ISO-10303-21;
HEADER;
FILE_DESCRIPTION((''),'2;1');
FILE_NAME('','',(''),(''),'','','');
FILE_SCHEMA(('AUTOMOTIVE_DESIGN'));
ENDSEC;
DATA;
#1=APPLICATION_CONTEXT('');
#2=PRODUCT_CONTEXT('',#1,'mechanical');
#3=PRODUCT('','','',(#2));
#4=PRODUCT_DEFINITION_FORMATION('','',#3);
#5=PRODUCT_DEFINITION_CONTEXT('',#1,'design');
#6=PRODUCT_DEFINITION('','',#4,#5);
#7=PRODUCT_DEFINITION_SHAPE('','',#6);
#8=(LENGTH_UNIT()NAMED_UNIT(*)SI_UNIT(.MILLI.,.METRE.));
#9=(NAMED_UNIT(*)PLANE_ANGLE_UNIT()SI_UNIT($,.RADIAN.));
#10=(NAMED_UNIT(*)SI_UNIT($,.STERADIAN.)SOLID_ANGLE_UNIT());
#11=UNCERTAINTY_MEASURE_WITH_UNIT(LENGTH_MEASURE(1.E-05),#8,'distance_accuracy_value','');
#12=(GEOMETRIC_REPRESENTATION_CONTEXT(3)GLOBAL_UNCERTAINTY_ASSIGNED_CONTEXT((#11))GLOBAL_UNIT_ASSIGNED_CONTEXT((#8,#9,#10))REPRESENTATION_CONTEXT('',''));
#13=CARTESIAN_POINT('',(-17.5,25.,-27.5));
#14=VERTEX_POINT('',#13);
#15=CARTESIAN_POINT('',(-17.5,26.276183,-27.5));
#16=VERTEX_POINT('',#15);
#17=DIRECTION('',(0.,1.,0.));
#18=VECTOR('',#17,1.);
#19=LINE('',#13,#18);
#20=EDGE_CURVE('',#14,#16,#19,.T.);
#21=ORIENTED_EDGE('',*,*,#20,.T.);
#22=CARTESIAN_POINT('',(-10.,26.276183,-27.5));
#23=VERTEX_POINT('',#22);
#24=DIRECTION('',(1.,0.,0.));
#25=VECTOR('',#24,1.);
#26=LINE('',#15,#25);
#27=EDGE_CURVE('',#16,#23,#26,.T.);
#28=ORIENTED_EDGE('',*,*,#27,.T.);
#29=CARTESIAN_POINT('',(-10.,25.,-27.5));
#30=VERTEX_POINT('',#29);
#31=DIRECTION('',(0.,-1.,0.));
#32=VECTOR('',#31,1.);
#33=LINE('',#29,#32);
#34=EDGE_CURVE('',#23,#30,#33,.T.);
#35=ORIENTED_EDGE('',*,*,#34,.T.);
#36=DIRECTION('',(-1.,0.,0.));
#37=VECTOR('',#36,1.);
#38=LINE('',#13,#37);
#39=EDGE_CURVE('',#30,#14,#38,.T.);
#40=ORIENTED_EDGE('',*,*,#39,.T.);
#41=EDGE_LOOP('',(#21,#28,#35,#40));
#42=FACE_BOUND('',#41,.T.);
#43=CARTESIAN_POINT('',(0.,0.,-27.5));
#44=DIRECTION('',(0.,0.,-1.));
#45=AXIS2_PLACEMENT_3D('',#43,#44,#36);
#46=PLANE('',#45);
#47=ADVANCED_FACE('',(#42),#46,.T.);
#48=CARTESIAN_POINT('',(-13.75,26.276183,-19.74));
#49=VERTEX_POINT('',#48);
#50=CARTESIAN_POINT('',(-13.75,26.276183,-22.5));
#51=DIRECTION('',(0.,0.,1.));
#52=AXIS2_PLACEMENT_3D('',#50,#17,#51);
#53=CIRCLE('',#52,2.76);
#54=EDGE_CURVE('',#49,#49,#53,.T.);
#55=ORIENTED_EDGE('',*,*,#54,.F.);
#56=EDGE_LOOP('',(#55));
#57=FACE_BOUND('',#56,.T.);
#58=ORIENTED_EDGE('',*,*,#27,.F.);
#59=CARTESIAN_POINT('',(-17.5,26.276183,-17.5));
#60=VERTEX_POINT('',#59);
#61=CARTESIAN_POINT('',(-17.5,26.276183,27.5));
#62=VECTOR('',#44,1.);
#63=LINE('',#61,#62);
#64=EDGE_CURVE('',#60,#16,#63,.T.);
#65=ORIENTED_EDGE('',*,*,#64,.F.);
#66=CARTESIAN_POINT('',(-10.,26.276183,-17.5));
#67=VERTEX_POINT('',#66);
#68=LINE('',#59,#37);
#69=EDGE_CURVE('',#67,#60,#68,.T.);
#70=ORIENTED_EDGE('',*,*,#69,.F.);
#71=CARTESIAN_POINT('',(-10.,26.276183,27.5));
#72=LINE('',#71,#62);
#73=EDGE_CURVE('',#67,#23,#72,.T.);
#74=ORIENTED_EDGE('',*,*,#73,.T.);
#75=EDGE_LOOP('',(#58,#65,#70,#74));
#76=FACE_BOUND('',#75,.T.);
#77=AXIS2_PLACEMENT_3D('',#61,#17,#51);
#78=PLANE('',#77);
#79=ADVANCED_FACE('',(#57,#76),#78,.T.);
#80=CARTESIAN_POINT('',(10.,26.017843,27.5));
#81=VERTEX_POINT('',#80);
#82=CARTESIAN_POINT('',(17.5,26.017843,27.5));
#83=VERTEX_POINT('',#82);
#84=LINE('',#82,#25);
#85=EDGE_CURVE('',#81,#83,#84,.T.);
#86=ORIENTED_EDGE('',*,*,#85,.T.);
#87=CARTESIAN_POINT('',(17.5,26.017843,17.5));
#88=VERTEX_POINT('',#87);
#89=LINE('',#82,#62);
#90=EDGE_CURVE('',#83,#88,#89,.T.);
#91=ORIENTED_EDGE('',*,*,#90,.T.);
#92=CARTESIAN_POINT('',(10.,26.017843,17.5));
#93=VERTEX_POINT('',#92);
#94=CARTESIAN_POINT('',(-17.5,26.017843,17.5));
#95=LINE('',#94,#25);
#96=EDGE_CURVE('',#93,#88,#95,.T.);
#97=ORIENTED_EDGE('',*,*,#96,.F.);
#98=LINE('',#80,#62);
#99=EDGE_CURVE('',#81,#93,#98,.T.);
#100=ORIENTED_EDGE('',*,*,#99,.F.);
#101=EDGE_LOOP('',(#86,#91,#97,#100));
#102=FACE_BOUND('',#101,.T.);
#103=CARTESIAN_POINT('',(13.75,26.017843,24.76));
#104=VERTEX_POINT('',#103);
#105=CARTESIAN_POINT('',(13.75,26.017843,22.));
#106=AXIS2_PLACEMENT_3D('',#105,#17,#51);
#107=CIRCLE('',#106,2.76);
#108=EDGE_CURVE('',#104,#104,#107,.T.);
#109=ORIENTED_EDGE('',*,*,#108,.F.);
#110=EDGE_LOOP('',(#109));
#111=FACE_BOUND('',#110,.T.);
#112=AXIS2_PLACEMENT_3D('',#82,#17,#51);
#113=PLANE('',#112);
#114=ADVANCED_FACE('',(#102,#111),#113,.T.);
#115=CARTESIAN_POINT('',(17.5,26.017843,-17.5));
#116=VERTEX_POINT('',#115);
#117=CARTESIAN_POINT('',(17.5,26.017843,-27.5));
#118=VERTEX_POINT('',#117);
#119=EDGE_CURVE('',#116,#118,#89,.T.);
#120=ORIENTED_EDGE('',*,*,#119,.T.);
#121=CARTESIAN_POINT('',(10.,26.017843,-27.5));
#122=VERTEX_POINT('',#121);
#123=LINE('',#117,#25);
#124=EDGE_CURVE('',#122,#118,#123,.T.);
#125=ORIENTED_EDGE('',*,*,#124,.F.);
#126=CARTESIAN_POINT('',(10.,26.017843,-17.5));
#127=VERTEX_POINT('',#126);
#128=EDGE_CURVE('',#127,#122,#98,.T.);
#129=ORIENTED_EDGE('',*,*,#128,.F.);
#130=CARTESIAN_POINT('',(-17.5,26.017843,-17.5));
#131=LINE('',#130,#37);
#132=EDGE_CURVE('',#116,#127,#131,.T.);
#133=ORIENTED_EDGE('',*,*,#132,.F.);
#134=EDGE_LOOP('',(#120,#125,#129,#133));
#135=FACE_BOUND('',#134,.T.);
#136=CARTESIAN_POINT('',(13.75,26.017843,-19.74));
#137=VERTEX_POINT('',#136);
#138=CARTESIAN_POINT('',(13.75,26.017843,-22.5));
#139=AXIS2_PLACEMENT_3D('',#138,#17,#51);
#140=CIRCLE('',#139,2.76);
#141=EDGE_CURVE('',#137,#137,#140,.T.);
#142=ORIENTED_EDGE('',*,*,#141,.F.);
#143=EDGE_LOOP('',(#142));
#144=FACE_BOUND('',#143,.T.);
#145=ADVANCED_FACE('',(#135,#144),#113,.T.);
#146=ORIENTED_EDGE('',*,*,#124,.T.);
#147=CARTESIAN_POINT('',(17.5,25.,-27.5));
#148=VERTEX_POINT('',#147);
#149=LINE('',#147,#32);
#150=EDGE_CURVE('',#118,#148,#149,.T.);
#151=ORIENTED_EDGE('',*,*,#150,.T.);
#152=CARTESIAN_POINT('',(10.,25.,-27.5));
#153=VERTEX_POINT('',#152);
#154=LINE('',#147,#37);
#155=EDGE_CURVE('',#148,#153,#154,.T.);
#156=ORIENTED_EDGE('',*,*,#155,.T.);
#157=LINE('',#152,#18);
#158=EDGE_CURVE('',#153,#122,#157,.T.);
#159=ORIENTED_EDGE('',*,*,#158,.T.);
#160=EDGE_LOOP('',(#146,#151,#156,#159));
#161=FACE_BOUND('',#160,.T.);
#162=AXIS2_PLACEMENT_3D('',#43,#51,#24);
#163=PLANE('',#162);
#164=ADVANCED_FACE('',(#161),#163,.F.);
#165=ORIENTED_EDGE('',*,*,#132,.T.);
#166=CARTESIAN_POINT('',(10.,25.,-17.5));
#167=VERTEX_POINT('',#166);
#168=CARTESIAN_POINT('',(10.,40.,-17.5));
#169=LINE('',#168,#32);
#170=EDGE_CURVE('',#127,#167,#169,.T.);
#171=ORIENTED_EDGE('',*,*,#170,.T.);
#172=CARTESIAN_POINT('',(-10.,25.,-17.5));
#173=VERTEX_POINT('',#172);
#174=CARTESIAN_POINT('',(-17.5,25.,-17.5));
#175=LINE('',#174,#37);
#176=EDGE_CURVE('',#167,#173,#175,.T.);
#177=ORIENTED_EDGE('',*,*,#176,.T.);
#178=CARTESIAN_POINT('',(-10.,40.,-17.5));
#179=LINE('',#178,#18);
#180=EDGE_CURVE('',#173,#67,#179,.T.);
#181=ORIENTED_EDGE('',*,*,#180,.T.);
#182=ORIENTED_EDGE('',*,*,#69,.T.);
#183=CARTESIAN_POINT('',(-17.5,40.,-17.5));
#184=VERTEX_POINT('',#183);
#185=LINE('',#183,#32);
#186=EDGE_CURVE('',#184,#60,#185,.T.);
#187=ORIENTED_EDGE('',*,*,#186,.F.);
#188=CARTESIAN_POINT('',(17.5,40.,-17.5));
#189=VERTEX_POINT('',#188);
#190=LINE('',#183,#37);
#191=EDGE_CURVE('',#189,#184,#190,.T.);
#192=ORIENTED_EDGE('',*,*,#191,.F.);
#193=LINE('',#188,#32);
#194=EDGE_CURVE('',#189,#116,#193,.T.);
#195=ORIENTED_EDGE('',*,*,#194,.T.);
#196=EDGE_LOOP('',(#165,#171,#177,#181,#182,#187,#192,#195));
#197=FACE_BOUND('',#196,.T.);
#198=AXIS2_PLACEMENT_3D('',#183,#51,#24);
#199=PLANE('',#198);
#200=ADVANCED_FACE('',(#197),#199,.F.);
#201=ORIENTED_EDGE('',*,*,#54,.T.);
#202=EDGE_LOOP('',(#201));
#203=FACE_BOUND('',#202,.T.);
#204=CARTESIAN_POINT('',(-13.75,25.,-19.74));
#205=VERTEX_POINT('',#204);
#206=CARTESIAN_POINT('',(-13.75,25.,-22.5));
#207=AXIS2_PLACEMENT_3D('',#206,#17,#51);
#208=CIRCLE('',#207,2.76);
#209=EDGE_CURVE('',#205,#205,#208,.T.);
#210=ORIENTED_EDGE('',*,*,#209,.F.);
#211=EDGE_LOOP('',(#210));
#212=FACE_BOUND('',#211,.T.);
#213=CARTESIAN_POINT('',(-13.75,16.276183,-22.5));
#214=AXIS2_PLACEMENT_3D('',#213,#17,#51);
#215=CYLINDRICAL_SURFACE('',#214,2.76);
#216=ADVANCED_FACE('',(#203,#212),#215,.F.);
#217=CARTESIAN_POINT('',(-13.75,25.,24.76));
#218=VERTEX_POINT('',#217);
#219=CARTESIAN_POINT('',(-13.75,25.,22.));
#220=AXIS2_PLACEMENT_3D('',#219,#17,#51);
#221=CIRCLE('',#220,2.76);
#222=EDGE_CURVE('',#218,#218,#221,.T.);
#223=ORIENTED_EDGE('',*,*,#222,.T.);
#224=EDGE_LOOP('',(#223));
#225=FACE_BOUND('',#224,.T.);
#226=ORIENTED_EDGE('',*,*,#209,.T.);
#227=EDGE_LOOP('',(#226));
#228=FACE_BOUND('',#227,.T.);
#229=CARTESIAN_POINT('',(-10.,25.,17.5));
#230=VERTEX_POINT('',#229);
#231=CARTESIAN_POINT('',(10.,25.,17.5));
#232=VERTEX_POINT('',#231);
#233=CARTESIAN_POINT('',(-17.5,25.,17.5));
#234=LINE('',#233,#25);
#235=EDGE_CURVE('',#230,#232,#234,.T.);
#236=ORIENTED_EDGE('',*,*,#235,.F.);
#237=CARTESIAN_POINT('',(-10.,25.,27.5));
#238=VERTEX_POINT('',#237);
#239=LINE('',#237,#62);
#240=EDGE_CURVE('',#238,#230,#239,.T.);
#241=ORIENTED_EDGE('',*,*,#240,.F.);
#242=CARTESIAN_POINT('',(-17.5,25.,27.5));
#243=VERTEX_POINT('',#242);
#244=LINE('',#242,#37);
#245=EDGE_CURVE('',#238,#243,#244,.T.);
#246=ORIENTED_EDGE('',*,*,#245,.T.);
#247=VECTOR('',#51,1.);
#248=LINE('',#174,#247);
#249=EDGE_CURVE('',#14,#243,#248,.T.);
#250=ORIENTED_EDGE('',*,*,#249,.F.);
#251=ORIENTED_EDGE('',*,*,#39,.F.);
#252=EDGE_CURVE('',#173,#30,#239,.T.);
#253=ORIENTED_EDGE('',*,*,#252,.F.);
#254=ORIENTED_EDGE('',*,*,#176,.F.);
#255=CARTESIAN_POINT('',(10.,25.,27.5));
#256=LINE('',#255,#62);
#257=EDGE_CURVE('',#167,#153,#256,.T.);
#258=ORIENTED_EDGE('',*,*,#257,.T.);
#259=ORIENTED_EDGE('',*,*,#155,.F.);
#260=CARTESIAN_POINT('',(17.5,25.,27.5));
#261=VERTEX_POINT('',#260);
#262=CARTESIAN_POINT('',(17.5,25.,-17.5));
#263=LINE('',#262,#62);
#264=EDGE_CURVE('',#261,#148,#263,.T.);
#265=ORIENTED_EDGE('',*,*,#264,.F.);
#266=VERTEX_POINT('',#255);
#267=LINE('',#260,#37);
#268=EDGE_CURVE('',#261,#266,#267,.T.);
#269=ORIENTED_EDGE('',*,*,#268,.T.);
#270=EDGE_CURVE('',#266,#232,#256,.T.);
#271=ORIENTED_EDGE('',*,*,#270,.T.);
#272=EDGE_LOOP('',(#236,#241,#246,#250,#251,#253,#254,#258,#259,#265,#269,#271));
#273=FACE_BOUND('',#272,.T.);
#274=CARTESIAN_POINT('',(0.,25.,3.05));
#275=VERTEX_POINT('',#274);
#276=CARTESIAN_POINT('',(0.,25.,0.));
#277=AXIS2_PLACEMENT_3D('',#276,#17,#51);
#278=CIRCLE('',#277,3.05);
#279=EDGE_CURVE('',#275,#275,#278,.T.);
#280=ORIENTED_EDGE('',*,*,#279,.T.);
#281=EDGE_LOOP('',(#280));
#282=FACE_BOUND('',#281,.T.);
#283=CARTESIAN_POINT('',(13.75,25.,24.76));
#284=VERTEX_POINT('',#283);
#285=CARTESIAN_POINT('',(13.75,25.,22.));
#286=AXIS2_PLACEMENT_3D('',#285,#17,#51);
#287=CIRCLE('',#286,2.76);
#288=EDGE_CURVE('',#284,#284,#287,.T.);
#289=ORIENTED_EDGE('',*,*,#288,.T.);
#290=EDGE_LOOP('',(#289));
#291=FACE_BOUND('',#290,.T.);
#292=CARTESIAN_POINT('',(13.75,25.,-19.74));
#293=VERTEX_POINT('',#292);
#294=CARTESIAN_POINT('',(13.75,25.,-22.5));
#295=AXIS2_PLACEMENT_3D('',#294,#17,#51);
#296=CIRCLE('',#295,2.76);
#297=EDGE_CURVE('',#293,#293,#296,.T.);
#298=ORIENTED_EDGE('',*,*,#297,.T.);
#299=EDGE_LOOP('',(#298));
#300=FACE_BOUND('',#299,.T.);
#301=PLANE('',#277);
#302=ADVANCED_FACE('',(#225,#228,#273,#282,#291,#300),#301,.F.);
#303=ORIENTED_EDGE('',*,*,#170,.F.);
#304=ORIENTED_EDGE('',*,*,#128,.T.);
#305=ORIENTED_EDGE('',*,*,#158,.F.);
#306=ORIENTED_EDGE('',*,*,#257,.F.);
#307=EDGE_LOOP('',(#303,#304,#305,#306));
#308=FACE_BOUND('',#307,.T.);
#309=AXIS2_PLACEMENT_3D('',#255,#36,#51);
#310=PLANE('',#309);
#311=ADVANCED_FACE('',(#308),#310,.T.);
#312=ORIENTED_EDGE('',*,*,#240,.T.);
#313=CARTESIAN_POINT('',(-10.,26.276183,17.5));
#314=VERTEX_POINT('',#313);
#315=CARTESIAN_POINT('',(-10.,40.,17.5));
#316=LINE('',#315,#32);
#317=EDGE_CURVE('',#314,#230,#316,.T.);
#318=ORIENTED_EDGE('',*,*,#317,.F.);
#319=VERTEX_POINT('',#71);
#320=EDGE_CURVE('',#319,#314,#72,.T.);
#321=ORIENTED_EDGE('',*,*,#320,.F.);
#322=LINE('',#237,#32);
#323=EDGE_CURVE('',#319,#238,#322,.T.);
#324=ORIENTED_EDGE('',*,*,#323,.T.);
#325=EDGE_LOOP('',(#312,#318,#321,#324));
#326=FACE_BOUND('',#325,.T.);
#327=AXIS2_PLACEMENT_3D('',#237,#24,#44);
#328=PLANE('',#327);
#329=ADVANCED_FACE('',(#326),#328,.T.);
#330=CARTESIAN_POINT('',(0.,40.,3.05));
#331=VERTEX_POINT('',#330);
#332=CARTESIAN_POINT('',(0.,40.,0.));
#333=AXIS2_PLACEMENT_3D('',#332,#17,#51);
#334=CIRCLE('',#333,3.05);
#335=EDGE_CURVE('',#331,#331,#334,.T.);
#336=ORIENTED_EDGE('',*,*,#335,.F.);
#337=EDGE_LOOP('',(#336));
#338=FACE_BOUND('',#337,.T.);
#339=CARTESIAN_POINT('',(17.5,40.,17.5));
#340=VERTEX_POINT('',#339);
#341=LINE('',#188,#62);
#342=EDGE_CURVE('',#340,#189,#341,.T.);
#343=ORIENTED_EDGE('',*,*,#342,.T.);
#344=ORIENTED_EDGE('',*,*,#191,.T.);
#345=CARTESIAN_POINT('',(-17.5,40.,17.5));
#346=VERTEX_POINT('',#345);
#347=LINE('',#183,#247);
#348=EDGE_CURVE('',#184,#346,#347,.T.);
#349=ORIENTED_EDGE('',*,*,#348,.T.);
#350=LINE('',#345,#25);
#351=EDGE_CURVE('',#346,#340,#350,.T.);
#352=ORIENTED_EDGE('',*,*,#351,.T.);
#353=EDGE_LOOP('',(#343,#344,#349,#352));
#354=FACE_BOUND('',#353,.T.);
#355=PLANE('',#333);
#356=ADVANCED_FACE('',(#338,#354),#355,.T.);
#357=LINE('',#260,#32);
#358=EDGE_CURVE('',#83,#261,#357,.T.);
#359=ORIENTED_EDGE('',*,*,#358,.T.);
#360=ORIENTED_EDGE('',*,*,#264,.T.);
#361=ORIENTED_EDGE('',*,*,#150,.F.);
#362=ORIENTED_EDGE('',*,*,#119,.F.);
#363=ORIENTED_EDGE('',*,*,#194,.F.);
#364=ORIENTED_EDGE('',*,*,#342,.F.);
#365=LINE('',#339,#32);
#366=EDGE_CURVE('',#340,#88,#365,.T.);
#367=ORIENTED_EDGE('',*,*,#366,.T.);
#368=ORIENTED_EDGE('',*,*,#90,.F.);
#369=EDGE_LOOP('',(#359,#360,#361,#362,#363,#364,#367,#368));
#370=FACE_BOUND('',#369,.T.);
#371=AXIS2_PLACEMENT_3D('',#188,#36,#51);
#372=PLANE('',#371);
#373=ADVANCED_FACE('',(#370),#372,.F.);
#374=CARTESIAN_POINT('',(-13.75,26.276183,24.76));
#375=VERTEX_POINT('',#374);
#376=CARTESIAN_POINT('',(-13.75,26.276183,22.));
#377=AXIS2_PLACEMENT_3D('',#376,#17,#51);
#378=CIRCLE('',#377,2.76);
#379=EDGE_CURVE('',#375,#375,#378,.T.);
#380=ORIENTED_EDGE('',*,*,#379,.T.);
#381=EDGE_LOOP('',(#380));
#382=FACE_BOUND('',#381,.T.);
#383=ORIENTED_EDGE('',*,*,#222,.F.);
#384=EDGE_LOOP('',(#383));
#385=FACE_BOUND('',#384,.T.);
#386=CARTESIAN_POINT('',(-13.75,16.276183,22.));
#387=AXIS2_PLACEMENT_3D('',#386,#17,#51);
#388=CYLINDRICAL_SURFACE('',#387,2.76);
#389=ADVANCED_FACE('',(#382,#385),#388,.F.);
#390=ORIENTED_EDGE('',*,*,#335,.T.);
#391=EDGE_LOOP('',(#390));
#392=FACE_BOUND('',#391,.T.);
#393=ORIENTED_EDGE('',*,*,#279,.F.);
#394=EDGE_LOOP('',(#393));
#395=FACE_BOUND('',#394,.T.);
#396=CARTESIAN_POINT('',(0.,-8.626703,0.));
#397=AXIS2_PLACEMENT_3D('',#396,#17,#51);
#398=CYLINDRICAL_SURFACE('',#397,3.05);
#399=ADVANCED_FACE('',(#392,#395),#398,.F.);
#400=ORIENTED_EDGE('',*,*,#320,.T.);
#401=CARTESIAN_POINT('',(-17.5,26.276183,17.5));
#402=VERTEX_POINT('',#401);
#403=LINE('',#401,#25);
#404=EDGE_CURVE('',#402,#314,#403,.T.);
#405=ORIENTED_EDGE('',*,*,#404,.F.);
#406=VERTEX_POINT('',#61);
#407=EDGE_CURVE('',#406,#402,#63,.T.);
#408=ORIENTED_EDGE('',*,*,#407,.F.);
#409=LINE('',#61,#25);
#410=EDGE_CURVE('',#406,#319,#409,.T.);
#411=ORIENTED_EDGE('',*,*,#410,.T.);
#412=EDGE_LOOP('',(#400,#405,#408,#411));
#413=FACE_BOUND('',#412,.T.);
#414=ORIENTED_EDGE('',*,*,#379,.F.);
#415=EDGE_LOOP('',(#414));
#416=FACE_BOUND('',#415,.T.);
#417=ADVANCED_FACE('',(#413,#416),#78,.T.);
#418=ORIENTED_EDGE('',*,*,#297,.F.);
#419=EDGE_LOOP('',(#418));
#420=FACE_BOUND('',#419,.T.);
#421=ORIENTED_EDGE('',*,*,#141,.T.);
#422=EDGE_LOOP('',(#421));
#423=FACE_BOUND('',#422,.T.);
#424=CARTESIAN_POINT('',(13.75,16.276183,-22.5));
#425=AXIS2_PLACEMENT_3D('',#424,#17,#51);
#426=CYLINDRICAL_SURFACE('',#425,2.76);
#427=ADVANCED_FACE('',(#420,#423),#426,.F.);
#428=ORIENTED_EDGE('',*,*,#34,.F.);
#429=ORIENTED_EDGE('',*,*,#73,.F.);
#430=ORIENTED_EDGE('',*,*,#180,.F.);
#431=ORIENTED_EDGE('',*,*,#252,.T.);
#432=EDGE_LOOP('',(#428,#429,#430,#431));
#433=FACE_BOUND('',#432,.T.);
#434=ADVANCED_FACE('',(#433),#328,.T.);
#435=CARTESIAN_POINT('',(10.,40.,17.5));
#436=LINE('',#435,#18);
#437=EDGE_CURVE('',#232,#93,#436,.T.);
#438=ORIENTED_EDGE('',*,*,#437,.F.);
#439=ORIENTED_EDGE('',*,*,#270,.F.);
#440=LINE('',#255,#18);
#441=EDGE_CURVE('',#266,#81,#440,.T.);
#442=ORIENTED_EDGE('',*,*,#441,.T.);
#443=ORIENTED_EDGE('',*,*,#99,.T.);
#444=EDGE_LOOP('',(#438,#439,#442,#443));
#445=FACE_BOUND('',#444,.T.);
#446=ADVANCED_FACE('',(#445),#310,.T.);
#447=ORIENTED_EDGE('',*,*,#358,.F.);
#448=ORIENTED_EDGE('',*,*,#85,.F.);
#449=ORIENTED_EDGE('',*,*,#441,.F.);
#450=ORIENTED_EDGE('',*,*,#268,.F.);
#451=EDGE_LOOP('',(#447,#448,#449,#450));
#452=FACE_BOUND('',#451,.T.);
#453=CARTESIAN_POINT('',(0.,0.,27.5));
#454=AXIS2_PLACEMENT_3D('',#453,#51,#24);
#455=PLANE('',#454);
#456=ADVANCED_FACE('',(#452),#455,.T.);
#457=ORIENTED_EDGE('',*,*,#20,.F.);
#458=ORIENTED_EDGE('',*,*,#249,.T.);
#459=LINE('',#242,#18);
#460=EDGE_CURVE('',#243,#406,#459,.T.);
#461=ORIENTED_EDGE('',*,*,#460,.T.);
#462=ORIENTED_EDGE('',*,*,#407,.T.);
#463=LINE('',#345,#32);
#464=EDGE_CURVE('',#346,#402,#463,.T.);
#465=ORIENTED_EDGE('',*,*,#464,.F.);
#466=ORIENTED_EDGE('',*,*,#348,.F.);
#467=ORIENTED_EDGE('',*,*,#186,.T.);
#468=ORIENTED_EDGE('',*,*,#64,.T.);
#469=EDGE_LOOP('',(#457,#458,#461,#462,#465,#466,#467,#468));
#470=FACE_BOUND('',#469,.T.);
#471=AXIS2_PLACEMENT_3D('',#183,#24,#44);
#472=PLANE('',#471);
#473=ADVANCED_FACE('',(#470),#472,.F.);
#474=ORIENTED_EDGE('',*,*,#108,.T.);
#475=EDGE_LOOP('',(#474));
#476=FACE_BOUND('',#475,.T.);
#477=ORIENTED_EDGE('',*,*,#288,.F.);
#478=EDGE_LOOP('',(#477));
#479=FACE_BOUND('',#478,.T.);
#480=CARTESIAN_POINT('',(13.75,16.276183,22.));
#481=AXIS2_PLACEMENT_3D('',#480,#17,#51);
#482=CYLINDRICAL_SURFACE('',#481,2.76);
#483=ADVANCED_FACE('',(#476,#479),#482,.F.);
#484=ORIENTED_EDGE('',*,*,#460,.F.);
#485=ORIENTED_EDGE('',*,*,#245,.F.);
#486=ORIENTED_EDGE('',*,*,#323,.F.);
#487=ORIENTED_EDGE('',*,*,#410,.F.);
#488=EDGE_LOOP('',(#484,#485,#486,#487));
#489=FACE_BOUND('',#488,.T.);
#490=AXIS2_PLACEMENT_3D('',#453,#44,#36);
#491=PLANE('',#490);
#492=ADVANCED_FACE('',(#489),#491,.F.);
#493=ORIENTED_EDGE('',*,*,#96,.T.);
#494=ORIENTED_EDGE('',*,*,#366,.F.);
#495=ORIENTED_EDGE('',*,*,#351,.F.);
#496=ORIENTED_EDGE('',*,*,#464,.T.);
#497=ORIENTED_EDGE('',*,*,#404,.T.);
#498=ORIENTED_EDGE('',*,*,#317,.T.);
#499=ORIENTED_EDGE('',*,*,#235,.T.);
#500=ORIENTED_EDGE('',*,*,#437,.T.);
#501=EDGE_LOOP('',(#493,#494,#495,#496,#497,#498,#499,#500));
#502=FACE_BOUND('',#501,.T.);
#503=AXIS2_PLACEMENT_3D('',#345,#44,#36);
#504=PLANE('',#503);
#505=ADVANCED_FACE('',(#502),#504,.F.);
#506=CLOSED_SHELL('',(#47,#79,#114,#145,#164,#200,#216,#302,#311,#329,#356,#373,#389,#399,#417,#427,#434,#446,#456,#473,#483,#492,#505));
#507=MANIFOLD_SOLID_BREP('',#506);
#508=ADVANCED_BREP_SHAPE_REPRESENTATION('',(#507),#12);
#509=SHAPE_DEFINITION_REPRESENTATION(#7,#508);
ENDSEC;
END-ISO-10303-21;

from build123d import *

# Parameters (mm, degrees)
SKETCH2_W                = 35
SKETCH2_H                = 35
BOSS_EXTRUDE1_DEPTH      = 10
SKETCH3_W                = 35
SKETCH3_H                = 35
SKETCH3_W_2              = 30
SKETCH3_H_2              = 30
BOSS_EXTRUDE2_DEPTH      = 15
SKETCH4_W                = 35
SKETCH4_H                = 35
BOSS_EXTRUDE3_DEPTH      = 15
CUT_EXTRUDE1_START       = -40
SKETCH5_R                = 3.05
CUT_EXTRUDE1_DEPTH       = 40
BOSS_EXTRUDE4_DEPTH      = 10
BOSS_EXTRUDE4_DEPTH_BACK = 45
SKETCH6_W                = 7.5
SKETCH6_H                = 1.017843133
SKETCH6_H_2              = 1.2761833
SKETCH7_R                = 2.76
CUT_EXTRUDE2_DEPTH       = 10


with BuildPart() as part:
    # Sketch2 → Boss-Extrude1 (new body)
    with BuildSketch(Plane(origin=(0, 0, 0), x_dir=(1, 0, 0), z_dir=(0, 1, 0))):
        Rectangle(SKETCH2_W, SKETCH2_H)
    extrude(amount=BOSS_EXTRUDE1_DEPTH)


with BuildPart() as body_2:
    # Sketch3 → Boss-Extrude2 (new body)
    with BuildSketch(Plane(origin=(0, 10, 0), x_dir=(1, 0, 0), z_dir=(0, 1, 0))):
        Rectangle(SKETCH3_W, SKETCH3_H)
        Rectangle(SKETCH3_W_2, SKETCH3_H_2, mode=Mode.SUBTRACT)
    extrude(amount=BOSS_EXTRUDE2_DEPTH)


with BuildPart() as body_3:
    # Sketch4 → Boss-Extrude3 (new body)
    with BuildSketch(Plane(origin=(0, 25, 0), x_dir=(1, 0, 0), z_dir=(0, 1, 0))):
        Rectangle(SKETCH4_W, SKETCH4_H)
    extrude(amount=BOSS_EXTRUDE3_DEPTH)


with BuildPart() as cut_extrude1_tool:
    # Sketch5 → Cut-Extrude1 (new body)
    with BuildSketch(Plane(origin=(0, 40, 0), x_dir=(1, 0, 0), z_dir=(0, 1, 0)).offset(CUT_EXTRUDE1_START)):
        with Locations(Location((0, 0, 0), (0, 0, 270))):
            Circle(SKETCH5_R)
    extrude(amount=CUT_EXTRUDE1_DEPTH)


with BuildPart() as part_1:
    add(part.part)

    # Cut-Extrude1: cut by cut_extrude1_tool
    add(cut_extrude1_tool.part, mode=Mode.SUBTRACT)


with BuildPart() as body_3_1:
    add(body_3.part)

    # Cut-Extrude1: cut by cut_extrude1_tool
    add(cut_extrude1_tool.part, mode=Mode.SUBTRACT)

    # Sketch6 → Boss-Extrude4 (add, two sides: drawn at the far end of the back side and taken through both)
    with BuildSketch(Plane(origin=(0, 0, -17.5), x_dir=(-1, 0, 0), z_dir=(0, 0, -1)).offset(-BOSS_EXTRUDE4_DEPTH_BACK)):
        with Locations((-13.75, 25.508921566)):
            Rectangle(SKETCH6_W, SKETCH6_H)
        with Locations((13.75, 25.63809165)):
            Rectangle(SKETCH6_W, SKETCH6_H_2)
    extrude(amount=BOSS_EXTRUDE4_DEPTH + BOSS_EXTRUDE4_DEPTH_BACK)

    # Sketch7 → Cut-Extrude2 (cut)
    with BuildSketch(Plane(origin=(0, 26.2761833, 0), x_dir=(1, 0, 0), z_dir=(0, 1, 0))):
        with Locations(Location((-13.75, 22.5, 0), (0, 0, 270))):
            Circle(SKETCH7_R)
        with Locations(Location((13.75, 22.5, 0), (0, 0, 270))):
            Circle(SKETCH7_R)
        with Locations(Location((13.75, -22, 0), (0, 0, 270))):
            Circle(SKETCH7_R)
        with Locations(Location((-13.75, -22, 0), (0, 0, 270))):
            Circle(SKETCH7_R)
    extrude(amount=-CUT_EXTRUDE2_DEPTH, mode=Mode.SUBTRACT)


solid = body_3_1.part
